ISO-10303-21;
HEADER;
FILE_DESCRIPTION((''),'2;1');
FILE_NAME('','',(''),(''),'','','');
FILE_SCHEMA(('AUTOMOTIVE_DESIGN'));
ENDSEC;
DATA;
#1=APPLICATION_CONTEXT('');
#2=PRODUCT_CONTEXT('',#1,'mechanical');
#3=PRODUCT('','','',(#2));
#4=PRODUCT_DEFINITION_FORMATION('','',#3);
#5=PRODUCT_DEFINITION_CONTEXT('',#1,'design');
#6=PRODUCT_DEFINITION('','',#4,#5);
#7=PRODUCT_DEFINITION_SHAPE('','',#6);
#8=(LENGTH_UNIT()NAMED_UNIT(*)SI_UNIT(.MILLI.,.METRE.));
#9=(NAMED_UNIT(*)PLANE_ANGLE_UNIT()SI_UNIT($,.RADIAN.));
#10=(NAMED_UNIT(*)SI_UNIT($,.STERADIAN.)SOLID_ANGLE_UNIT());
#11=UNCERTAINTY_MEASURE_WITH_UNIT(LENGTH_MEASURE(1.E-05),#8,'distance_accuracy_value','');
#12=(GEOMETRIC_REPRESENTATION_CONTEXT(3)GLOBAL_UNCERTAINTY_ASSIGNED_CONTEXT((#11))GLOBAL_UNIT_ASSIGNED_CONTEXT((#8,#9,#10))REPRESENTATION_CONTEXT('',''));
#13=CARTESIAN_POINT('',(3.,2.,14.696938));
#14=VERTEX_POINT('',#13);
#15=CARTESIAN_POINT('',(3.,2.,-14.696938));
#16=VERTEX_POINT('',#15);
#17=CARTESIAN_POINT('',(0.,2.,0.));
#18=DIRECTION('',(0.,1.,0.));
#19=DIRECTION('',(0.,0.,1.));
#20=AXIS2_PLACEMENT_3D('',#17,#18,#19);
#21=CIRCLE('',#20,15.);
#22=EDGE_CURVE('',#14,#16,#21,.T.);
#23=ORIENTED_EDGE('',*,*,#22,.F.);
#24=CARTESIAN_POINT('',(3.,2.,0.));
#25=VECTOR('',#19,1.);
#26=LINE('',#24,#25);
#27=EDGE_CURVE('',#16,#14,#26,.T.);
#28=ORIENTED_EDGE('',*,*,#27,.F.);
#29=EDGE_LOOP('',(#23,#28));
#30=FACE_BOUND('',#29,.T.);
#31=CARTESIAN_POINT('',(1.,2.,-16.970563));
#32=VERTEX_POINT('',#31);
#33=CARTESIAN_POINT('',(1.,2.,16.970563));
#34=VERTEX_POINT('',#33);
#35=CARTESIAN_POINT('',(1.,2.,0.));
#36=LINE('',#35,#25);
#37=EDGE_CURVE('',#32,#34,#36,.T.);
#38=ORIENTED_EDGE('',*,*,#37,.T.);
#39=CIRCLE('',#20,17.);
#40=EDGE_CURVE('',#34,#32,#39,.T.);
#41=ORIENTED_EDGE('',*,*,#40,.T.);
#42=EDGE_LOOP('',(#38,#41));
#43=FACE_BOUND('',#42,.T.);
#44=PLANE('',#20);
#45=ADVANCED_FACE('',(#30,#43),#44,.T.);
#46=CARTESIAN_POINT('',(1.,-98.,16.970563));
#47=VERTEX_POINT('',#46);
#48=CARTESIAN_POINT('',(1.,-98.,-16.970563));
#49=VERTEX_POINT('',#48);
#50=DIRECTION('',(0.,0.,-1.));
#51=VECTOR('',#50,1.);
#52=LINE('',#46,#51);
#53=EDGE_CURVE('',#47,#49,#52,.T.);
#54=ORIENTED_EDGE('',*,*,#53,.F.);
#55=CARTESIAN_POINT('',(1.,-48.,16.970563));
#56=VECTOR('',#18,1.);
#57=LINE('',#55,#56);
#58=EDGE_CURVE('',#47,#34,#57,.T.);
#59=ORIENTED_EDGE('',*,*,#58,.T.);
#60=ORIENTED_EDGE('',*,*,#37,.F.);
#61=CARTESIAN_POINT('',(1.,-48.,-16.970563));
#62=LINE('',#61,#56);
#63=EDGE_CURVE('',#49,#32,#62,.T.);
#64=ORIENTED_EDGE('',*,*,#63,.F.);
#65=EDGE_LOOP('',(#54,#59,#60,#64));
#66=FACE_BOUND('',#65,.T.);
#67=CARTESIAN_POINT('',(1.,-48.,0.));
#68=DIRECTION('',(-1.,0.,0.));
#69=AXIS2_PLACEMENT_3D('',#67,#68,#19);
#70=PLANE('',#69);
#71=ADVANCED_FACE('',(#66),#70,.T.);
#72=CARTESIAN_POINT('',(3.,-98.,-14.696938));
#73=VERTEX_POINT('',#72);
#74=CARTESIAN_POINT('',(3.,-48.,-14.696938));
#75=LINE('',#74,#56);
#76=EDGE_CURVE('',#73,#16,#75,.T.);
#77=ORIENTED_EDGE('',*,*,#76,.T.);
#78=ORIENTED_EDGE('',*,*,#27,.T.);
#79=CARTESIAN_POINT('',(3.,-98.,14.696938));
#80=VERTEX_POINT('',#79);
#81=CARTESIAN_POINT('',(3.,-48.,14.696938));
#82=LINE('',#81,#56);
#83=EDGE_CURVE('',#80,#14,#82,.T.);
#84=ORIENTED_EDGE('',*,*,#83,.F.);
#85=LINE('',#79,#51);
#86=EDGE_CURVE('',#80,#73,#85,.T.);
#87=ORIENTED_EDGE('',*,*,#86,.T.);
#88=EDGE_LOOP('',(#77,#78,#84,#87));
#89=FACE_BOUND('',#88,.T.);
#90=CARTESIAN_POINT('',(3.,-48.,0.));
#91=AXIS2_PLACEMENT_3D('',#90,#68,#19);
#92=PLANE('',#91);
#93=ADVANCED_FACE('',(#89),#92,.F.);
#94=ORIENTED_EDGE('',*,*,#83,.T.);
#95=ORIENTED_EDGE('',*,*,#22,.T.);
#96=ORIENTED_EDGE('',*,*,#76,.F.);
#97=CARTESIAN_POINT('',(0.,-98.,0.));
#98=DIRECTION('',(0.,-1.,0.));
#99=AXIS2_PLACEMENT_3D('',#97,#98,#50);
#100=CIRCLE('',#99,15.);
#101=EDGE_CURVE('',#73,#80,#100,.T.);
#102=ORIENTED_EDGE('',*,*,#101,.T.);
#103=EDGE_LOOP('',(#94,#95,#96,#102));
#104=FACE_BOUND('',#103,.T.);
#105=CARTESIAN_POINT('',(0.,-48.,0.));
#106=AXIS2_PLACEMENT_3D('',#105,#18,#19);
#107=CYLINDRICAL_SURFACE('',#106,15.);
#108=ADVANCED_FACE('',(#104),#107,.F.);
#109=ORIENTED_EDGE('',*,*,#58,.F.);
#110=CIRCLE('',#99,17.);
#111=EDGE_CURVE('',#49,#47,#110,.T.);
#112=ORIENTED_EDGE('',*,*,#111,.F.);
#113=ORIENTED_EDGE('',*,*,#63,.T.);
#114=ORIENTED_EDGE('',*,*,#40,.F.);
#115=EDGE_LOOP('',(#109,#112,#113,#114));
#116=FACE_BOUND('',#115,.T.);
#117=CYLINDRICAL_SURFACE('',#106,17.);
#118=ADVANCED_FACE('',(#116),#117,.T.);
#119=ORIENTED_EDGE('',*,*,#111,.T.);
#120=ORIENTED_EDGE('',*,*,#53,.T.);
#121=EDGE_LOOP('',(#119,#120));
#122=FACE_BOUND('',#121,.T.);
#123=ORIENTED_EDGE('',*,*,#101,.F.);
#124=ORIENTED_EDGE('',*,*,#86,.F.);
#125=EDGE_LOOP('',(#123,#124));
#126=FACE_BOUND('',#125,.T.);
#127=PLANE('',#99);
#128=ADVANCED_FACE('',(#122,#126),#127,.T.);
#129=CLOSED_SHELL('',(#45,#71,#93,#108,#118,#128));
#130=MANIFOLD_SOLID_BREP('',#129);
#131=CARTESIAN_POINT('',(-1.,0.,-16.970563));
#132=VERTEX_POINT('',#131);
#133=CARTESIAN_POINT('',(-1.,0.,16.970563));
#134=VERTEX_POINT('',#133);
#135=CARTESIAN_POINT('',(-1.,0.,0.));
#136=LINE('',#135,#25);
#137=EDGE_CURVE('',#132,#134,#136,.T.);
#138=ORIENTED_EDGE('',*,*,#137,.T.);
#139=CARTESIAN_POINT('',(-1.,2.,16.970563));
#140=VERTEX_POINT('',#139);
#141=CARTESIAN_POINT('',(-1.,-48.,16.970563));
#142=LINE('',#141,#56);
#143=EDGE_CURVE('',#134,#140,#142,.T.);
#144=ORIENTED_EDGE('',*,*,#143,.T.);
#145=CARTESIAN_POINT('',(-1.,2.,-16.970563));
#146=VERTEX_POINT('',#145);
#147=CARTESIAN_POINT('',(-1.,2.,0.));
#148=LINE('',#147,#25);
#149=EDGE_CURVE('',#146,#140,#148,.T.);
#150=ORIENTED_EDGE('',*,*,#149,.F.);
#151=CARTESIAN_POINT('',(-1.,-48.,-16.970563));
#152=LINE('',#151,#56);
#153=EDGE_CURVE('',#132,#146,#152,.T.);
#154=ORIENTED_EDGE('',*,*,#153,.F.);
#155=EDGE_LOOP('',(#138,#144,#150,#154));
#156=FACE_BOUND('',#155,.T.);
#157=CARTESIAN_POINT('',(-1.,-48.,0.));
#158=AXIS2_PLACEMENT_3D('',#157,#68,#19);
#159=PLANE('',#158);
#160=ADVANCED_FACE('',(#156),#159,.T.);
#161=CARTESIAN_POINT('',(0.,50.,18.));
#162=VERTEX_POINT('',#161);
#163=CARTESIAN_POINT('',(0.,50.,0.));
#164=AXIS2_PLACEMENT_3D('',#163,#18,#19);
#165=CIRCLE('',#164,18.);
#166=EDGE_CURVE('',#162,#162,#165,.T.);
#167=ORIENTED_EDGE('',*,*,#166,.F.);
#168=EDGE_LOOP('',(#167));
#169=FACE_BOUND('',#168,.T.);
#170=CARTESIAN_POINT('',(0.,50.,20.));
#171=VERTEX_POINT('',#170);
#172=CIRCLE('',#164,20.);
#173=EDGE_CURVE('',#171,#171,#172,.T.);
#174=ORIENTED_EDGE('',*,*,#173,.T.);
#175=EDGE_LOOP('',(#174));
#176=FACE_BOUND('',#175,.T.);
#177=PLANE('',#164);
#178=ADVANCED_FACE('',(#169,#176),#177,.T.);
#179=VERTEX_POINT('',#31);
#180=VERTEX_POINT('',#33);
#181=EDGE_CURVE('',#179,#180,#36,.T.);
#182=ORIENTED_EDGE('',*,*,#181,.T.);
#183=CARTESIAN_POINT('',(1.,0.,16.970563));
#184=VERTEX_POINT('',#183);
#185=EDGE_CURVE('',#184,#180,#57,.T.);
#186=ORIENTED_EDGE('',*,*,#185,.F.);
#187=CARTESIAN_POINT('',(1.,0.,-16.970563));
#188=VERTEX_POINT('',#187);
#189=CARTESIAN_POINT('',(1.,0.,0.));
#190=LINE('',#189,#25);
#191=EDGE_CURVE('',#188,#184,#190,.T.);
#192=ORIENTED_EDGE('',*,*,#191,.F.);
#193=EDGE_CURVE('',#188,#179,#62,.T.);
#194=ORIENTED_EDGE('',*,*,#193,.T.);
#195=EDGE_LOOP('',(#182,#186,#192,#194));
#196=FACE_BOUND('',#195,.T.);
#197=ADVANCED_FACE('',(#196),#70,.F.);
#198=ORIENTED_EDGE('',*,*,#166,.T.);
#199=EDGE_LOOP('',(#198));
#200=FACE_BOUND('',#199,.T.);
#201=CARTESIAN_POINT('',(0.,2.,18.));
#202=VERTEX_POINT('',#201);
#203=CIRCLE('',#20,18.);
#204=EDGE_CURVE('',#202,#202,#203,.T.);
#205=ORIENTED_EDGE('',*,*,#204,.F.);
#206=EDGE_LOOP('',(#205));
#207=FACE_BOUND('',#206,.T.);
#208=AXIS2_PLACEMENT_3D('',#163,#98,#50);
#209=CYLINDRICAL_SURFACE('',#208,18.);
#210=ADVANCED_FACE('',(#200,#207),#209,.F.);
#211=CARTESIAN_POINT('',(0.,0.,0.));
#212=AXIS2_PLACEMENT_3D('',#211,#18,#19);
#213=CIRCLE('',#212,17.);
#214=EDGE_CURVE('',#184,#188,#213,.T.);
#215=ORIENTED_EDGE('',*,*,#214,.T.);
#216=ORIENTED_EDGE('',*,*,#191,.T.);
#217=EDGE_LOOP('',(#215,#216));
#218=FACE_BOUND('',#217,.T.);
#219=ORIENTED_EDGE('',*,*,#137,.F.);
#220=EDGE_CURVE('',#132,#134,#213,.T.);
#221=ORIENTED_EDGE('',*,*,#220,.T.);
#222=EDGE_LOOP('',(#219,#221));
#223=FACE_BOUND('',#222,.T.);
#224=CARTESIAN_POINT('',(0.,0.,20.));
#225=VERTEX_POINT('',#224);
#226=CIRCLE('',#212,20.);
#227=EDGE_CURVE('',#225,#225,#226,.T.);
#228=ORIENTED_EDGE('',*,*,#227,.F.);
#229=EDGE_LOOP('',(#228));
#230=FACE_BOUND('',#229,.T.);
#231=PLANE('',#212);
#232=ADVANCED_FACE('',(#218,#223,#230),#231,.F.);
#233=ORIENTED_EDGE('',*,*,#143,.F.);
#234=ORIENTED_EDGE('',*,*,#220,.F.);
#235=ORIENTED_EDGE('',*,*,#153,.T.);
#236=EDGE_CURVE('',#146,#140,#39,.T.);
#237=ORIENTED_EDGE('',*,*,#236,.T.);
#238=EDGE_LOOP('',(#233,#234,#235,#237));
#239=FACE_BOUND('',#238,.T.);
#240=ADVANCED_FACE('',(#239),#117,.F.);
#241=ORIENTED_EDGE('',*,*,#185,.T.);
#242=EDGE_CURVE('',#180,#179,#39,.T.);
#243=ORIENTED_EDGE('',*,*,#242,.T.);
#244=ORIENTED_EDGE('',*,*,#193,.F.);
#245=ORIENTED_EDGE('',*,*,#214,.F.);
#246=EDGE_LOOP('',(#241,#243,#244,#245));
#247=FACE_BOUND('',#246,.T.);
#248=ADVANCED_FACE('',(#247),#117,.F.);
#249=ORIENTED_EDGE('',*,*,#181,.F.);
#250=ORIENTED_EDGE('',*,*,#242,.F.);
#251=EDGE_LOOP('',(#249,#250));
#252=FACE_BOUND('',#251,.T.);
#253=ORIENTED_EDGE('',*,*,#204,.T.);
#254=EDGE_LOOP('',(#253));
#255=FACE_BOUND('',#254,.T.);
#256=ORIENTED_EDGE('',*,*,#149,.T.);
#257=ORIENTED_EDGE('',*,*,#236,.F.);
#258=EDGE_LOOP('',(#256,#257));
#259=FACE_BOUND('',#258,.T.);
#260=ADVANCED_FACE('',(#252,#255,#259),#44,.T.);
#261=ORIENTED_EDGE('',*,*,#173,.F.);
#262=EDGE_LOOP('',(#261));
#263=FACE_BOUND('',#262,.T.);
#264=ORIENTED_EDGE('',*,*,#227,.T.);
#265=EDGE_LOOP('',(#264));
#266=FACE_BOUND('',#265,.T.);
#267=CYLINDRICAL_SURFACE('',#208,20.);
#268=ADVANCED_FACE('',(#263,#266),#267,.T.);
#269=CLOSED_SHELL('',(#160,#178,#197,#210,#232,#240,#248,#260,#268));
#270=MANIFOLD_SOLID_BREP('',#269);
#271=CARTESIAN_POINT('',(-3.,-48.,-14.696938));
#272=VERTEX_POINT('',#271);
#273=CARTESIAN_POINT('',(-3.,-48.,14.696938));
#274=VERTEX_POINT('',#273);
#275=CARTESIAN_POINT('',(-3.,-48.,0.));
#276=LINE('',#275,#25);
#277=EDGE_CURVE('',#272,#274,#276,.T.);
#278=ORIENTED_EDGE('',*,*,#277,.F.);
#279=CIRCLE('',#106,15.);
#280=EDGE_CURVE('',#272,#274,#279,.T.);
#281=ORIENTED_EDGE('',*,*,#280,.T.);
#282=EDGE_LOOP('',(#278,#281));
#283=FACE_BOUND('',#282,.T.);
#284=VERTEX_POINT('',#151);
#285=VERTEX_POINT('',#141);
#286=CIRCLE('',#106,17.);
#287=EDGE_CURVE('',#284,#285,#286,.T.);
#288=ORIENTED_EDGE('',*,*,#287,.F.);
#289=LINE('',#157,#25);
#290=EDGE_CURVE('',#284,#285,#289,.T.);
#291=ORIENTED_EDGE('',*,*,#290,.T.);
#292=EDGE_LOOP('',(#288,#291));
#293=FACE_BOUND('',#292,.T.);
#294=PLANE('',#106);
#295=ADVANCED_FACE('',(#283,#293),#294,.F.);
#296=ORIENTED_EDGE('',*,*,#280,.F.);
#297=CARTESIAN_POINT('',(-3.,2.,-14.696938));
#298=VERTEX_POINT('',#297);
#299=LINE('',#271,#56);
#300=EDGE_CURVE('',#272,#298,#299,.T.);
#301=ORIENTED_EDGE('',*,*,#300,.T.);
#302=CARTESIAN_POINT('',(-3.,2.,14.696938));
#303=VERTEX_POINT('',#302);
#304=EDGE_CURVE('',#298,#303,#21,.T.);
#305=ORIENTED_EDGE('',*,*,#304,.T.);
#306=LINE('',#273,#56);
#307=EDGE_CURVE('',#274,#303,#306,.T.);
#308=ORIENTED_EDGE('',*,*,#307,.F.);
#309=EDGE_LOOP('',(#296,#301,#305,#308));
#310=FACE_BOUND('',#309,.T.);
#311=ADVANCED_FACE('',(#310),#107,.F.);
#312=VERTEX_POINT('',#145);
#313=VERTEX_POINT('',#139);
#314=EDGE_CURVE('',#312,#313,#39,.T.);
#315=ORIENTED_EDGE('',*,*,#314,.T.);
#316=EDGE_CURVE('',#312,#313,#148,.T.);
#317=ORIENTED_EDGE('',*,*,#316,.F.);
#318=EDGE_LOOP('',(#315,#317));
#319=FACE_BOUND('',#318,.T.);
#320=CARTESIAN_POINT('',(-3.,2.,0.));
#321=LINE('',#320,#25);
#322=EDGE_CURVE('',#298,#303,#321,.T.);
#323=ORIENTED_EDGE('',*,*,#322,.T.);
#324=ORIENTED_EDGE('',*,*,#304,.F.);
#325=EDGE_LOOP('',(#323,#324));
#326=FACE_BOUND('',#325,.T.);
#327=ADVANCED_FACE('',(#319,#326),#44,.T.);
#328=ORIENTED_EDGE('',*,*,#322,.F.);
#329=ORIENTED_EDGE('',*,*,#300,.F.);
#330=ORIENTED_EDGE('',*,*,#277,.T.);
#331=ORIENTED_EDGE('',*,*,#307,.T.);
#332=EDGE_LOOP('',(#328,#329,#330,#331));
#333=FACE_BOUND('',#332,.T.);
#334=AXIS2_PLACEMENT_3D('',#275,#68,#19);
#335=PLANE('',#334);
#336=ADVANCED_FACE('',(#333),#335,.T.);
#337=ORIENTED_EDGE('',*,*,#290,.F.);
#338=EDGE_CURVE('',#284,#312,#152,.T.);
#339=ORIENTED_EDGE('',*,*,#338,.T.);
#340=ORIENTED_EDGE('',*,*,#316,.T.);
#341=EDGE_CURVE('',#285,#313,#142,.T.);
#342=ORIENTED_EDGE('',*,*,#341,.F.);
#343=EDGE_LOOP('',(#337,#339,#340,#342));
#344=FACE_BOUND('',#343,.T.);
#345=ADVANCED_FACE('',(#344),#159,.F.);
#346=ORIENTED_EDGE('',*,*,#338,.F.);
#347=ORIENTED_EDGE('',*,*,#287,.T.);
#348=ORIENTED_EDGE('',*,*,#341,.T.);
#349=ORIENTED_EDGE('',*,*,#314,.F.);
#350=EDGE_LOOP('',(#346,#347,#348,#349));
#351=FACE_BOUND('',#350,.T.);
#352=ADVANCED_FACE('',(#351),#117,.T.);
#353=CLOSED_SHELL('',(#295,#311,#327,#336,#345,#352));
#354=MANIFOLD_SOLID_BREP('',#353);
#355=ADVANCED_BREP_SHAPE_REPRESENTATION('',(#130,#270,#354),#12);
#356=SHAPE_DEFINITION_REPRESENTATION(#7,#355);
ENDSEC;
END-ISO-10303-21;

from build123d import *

# Parameters (mm, degrees)
SKETCH1_R              = 20
BOSS_EXTRUDE1_DEPTH    = 50
SHELL3_T               = -2
CUT_EXTRUDE1_DEPTH     = 50
BOSS_EXTRUDE3_DEPTH    = 50
BOSS_EXTRUDE3_2_DEPTH  = 50
SHELL6_T               = -2
SHELL7_T               = -2
PROCESSINGADJUST_DEPTH = 50


with BuildPart() as part:
    # Sketch1 → Boss-Extrude1 (new body)
    with BuildSketch(Plane(origin=(0, 0, 0), x_dir=(1, 0, 0), z_dir=(0, 1, 0))):
        with Locations(Location((0, 0, 0), (0, 0, 270))):
            Circle(SKETCH1_R)
    extrude(amount=BOSS_EXTRUDE1_DEPTH)

    # Shell3
    shell3_openings = [part.faces().sort_by_distance(p)[0] for p in [
        (0, 50, 0),
    ]]
    offset(amount=SHELL3_T, openings=shell3_openings, kind=Kind.INTERSECTION)

    # Sketch2 → Cut-Extrude1 (cut)
    with BuildSketch(Plane(origin=(0, 2, 0), x_dir=(1, 0, 0), z_dir=(0, 1, 0))):
        with BuildLine():
            ThreePointArc((17, 0), (12.369316877, 11.66190379), (1, 16.970562748))
            Line((1, 16.970562748), (1, -16.970562748))
            ThreePointArc((1, -16.970562748), (12.369316877, -11.66190379), (17, 0))
        make_face()
        with BuildLine():
            Line((-1, -16.970562748), (-1, 16.970562748))
            ThreePointArc((-1, 16.970562748), (-17, 0), (-1, -16.970562748))
        make_face()
    extrude(amount=-CUT_EXTRUDE1_DEPTH, mode=Mode.SUBTRACT)


with BuildPart() as body_2:
    # Sketch2 → Boss-Extrude3 (new body)
    with BuildSketch(Plane(origin=(0, 2, 0), x_dir=(1, 0, 0), z_dir=(0, 1, 0))):
        with BuildLine():
            ThreePointArc((17, 0), (12.369316877, 11.66190379), (1, 16.970562748))
            Line((1, 16.970562748), (1, -16.970562748))
            ThreePointArc((1, -16.970562748), (12.369316877, -11.66190379), (17, 0))
        make_face()
    extrude(amount=-BOSS_EXTRUDE3_DEPTH)

    # Shell6
    shell6_openings = [body_2.faces().sort_by_distance(p)[0] for p in [
        (7.758345486, -48, 0),
        (7.758345486, 2, 0),
    ]]
    offset(amount=SHELL6_T, openings=shell6_openings)

    # Sketch7 → processingadjust (add)
    with BuildSketch(Plane.XZ.offset(48)):
        with BuildLine():
            Line((1, 16.970562748), (1, -16.970562748))
            ThreePointArc((1, -16.970562748), (17, 0), (1, 16.970562748))
        make_face()
        with BuildLine():
            Line((3, 14.696938457), (3, -14.696938457))
            ThreePointArc((3, -14.696938457), (15, 0), (3, 14.696938457))
        make_face(mode=Mode.SUBTRACT)
    extrude(amount=PROCESSINGADJUST_DEPTH)


with BuildPart() as body_3:
    # Sketch2 → Boss-Extrude3 2 (new body)
    with BuildSketch(Plane(origin=(0, 2, 0), x_dir=(1, 0, 0), z_dir=(0, 1, 0))):
        with BuildLine():
            Line((-1, -16.970562748), (-1, 16.970562748))
            ThreePointArc((-1, 16.970562748), (-17, 0), (-1, -16.970562748))
        make_face()
    extrude(amount=-BOSS_EXTRUDE3_2_DEPTH)

    # Shell7
    shell7_openings = [body_3.faces().sort_by_distance(p)[0] for p in [
        (-7.758345486, -48, 0),
        (-7.758345486, 2, 0),
    ]]
    offset(amount=SHELL7_T, openings=shell7_openings)


solid = Compound([part.part, body_2.part, body_3.part])
